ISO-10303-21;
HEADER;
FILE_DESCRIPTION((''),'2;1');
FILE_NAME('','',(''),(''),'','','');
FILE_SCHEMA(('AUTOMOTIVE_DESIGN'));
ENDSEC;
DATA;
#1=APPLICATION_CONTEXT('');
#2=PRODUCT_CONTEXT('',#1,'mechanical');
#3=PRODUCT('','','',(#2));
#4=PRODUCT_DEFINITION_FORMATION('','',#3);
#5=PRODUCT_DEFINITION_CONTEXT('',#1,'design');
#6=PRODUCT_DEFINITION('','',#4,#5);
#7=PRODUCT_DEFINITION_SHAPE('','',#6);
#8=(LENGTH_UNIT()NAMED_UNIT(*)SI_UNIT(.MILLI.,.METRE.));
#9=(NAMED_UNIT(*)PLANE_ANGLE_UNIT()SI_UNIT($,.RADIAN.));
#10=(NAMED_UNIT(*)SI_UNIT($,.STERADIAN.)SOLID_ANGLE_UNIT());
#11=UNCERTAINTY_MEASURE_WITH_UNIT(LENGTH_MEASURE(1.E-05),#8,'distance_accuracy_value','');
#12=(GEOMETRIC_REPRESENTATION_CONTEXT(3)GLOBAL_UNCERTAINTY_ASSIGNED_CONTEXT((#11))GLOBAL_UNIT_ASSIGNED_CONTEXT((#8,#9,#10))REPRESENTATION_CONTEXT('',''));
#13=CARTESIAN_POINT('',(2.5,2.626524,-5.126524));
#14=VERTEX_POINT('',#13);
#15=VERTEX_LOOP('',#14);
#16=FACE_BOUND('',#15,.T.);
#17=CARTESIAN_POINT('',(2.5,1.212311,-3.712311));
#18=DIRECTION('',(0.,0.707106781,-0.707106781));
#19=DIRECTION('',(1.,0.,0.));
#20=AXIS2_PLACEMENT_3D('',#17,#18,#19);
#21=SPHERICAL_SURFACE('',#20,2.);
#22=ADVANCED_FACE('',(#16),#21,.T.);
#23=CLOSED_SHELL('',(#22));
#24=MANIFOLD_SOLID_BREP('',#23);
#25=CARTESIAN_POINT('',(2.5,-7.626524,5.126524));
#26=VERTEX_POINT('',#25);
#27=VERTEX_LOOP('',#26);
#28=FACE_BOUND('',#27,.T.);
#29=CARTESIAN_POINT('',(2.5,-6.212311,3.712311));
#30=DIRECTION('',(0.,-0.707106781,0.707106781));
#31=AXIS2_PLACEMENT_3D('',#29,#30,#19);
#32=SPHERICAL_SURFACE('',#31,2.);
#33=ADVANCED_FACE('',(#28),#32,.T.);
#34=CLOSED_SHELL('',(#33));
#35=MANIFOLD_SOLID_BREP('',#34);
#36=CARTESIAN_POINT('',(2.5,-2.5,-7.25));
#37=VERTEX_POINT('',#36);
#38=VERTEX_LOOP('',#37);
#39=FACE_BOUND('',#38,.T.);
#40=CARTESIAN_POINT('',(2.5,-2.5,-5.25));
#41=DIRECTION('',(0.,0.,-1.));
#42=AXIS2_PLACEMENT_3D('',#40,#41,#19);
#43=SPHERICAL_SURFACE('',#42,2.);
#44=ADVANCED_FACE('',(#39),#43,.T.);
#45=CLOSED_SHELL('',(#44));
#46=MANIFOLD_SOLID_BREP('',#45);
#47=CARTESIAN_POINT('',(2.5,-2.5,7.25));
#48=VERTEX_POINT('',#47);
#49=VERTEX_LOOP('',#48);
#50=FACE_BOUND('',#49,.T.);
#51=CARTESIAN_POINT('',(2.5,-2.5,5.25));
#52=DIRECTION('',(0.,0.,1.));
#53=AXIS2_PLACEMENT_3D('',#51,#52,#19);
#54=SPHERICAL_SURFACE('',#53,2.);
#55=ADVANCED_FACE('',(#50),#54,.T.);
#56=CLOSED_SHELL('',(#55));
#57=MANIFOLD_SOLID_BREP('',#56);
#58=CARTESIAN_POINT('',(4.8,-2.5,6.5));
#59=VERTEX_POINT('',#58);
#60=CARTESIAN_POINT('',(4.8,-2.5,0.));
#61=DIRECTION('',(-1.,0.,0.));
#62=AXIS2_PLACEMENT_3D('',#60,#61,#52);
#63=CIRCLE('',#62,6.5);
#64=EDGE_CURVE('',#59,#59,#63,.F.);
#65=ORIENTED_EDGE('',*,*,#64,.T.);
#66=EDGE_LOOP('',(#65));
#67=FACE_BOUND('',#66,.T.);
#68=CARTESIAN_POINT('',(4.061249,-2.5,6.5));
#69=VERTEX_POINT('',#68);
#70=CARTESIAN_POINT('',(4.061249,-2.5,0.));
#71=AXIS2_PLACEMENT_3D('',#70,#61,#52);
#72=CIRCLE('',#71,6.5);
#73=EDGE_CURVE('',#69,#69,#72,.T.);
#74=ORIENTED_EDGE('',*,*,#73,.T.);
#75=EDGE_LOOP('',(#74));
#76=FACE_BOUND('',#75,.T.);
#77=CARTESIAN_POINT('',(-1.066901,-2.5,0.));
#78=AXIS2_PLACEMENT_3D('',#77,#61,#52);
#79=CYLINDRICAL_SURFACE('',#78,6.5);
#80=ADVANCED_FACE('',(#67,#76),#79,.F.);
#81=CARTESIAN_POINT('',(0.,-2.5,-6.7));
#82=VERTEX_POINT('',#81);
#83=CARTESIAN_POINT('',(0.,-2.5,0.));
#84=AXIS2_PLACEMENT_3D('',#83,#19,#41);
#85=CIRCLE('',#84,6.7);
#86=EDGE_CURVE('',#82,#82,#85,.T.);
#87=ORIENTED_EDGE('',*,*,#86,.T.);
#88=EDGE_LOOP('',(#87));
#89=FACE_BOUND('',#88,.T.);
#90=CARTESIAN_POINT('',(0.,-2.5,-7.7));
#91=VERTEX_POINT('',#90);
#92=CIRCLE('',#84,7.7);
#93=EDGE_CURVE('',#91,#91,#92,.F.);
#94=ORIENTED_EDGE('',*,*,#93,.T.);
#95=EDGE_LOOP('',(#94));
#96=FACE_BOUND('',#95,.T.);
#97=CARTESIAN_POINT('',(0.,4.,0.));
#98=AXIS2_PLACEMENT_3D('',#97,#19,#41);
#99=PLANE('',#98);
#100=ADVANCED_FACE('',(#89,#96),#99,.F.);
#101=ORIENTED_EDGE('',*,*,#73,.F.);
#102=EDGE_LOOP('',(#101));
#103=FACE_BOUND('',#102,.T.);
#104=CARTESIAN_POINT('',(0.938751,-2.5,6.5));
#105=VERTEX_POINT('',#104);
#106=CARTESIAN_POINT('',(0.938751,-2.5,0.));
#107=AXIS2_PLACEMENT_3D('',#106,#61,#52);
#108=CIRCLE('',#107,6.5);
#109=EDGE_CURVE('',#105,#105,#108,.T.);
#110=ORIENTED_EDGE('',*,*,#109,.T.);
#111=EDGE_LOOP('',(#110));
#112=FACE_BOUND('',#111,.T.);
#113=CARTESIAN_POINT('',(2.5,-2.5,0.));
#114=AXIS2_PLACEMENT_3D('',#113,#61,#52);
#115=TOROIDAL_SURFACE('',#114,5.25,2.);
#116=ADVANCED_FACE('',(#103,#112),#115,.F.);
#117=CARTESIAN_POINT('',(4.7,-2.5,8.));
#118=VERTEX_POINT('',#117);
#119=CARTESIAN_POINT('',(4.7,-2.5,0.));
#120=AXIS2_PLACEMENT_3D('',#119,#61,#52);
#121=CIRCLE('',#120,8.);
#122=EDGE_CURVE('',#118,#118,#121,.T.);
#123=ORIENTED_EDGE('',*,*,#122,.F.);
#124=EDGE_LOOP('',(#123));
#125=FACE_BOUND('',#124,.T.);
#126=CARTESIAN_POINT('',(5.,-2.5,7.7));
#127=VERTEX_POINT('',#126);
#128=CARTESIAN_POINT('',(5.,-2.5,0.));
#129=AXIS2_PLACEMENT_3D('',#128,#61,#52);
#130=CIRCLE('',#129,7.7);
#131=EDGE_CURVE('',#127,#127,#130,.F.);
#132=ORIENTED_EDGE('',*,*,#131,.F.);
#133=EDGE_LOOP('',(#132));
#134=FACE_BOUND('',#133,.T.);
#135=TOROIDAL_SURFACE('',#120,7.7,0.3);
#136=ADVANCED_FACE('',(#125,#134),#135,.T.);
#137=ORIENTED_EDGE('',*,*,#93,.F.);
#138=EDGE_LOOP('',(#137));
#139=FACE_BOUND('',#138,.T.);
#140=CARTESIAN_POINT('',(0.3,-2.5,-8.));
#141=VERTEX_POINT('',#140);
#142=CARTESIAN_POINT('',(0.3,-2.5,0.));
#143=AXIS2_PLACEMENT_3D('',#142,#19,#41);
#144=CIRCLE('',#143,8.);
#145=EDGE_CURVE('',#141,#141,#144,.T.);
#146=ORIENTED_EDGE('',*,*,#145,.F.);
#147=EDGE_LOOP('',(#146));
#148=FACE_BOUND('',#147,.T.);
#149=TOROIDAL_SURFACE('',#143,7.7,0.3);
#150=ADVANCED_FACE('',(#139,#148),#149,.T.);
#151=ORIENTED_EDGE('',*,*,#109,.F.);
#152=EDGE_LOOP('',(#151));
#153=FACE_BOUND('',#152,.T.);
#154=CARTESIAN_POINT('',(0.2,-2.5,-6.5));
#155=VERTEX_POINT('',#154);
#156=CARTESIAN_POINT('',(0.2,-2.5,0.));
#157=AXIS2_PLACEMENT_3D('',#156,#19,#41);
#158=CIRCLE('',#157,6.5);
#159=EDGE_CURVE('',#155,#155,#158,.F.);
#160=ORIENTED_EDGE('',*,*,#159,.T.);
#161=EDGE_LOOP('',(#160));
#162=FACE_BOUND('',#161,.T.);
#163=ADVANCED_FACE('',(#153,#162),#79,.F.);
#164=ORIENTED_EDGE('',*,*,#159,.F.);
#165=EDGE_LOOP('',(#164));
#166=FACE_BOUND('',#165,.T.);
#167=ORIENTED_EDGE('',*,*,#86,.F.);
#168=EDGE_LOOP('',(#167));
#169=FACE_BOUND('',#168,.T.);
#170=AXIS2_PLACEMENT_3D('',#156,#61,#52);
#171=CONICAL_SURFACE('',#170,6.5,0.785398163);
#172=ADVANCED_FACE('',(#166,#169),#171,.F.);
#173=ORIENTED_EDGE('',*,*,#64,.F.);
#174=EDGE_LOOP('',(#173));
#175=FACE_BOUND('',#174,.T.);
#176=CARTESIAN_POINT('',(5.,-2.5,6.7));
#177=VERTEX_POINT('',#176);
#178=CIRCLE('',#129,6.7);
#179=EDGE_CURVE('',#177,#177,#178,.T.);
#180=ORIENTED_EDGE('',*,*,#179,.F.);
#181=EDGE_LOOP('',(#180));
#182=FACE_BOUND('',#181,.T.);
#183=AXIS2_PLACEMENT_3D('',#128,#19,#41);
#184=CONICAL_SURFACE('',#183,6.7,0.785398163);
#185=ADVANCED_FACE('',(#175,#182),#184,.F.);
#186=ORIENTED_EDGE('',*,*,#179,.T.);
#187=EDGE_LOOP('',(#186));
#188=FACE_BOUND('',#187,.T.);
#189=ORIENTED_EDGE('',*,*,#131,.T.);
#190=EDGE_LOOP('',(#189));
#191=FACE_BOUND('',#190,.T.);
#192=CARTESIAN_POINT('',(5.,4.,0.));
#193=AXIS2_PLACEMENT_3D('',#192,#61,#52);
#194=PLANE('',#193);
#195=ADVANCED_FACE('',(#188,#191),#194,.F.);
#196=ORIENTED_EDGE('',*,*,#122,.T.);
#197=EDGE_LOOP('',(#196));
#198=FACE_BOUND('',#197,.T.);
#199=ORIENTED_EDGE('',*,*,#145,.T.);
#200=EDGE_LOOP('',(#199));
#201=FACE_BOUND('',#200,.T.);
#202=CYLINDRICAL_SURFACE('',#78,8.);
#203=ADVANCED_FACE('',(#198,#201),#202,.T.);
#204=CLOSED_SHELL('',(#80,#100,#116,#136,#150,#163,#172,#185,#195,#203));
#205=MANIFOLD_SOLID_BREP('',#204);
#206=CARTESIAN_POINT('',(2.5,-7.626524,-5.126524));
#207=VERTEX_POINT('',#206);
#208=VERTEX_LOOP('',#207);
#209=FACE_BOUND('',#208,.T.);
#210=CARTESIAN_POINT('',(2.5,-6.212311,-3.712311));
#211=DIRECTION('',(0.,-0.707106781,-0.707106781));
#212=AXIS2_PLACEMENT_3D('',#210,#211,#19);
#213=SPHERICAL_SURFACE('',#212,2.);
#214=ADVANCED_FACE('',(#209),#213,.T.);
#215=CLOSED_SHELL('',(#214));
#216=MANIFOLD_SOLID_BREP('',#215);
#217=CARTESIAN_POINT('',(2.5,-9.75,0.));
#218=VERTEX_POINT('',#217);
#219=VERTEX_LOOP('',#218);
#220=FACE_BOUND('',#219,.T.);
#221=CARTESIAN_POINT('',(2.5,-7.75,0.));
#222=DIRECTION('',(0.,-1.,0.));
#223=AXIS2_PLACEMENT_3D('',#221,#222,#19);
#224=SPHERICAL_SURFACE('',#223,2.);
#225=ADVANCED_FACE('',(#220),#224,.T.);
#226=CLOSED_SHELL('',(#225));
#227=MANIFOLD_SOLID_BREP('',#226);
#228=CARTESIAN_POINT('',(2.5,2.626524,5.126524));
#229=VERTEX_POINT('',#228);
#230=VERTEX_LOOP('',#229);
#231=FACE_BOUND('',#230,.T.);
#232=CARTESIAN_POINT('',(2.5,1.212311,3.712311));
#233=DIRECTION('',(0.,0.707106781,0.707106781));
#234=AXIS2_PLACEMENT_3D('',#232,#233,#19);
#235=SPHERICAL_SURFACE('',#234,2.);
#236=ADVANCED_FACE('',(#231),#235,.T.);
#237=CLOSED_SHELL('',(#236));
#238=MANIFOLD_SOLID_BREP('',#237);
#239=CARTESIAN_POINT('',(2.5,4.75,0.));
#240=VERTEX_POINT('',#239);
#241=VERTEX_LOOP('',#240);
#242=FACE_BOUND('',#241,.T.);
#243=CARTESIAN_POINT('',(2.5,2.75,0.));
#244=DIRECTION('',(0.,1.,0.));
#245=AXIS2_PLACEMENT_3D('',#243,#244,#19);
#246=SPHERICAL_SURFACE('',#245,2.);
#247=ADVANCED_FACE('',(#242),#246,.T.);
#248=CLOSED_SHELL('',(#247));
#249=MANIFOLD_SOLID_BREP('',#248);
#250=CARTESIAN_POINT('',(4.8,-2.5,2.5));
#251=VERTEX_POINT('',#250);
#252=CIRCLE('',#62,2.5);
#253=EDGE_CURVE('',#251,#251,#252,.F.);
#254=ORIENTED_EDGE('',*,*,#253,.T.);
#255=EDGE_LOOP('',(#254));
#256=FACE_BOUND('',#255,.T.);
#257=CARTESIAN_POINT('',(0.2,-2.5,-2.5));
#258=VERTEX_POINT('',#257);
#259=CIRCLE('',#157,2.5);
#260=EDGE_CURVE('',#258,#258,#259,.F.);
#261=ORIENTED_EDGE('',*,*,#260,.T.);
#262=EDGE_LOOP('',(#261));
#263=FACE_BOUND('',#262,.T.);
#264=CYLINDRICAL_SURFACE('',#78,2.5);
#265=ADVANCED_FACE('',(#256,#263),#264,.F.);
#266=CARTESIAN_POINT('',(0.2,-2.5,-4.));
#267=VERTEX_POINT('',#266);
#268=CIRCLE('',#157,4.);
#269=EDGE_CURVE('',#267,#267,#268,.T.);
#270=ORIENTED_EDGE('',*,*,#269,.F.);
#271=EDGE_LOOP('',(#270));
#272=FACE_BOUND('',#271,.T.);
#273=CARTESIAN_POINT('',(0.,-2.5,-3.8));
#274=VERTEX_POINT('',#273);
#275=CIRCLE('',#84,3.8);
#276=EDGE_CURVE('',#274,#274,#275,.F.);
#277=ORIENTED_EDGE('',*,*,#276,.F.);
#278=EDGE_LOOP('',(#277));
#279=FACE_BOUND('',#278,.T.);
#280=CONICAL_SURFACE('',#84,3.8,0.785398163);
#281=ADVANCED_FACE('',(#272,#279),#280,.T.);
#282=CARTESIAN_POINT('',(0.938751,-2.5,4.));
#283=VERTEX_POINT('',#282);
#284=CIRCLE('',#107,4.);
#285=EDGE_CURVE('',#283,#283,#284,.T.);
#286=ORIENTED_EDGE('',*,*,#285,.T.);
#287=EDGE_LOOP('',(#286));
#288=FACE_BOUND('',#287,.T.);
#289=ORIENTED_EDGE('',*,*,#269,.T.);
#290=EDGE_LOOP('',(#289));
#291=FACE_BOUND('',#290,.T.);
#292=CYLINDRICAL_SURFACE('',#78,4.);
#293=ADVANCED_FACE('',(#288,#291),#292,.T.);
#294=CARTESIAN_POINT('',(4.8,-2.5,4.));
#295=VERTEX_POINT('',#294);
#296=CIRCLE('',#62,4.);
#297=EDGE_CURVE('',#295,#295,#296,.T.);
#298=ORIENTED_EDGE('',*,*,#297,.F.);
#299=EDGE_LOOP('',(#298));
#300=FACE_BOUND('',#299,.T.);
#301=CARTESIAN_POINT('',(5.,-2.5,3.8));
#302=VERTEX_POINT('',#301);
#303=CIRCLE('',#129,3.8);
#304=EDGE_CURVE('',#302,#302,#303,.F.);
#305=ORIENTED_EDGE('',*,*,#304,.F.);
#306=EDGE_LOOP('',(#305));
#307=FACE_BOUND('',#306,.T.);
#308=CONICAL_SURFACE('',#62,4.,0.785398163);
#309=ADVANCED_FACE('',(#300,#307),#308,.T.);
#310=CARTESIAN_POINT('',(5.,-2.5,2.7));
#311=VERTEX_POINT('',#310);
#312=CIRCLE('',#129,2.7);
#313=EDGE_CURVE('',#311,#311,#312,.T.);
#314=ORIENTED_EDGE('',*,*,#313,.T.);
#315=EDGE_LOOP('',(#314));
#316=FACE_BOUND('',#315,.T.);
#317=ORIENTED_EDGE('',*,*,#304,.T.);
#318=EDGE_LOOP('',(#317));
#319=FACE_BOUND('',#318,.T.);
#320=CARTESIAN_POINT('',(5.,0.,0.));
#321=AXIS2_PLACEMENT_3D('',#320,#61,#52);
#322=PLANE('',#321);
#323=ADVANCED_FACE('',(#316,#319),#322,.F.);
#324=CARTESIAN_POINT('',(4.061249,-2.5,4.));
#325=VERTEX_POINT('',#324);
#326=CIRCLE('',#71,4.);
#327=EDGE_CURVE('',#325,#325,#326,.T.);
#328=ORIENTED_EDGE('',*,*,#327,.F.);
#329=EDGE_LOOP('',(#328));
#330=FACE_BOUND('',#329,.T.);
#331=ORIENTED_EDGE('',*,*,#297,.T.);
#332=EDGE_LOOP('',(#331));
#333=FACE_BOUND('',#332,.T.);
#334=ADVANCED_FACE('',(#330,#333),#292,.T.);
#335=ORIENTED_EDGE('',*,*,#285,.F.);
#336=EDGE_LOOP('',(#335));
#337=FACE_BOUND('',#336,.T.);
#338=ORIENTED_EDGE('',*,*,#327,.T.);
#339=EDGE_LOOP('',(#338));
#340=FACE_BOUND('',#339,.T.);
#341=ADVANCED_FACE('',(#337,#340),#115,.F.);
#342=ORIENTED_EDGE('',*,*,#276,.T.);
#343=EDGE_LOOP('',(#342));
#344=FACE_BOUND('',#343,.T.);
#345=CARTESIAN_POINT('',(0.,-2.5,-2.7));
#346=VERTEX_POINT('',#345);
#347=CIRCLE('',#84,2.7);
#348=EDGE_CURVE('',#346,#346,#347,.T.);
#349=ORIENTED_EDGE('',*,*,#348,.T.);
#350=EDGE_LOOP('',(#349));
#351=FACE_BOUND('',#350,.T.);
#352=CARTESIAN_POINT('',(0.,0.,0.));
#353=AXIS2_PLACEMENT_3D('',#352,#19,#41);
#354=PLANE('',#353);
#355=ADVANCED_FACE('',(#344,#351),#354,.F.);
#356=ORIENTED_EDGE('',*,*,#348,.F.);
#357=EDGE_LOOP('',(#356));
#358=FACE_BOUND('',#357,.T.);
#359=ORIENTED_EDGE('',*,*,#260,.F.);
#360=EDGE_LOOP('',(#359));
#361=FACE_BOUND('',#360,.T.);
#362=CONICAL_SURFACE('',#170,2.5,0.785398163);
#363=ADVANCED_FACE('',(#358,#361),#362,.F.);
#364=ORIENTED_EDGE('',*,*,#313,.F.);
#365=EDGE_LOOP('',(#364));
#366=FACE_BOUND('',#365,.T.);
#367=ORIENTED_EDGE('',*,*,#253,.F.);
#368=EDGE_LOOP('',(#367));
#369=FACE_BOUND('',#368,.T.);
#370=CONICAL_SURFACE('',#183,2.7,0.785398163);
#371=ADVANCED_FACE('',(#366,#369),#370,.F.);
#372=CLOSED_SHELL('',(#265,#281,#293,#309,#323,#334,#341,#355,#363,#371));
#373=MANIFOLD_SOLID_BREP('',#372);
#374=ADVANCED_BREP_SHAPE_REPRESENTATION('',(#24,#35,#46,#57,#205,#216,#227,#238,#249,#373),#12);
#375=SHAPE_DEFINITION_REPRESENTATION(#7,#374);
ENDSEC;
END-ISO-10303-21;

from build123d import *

# Parameters (mm, degrees)
PATTERN_CIRCULAR_5_COUNT = 8
FILLET_1_R               = 0.3
CHAMFER_1_SIZE           = 0.2
CHAMFER_2_SIZE           = 0.2


with BuildPart() as part:
    # Эскиз1 → Повернуть1 (revolve)
    with BuildSketch(Plane.XY):
        with BuildLine():
            Line((0, 0), (5, 0))
            Line((5, 0), (5, 1.5))
            Line((5, 1.5), (4.0612495, 1.5))
            ThreePointArc((4.0612495, 1.5), (2.5, 0.75), (0.9387505, 1.5))
            Line((0.9387505, 1.5), (0, 1.5))
            Line((0, 1.5), (0, 0))
        make_face()
        with BuildLine():
            Line((0, 4), (0.9387505, 4))
            ThreePointArc((0.9387505, 4), (2.5, 4.75), (4.0612495, 4))
            Line((4.0612495, 4), (5, 4))
            Line((5, 4), (5, 5.5))
            Line((5, 5.5), (0, 5.5))
            Line((0, 5.5), (0, 4))
        make_face()
    revolve(axis=Axis((-1.066901408, -2.5, 0), (1, 0, 0)))

    # Скругление1
    fillet_1_edges = [part.edges().sort_by_distance(p)[0] for p in [
        (0, -10.5, 0),
        (5, -10.5, 0),
    ]]
    fillet(fillet_1_edges, radius=FILLET_1_R)

    # Фаска1
    chamfer_1_edges = [part.edges().sort_by_distance(p)[0] for p in [
        (0, -6.5, 0),
        (5, -6.5, 0),
        (5, -5, 0),
        (0, -5, 0),
    ]]
    chamfer(chamfer_1_edges, length=CHAMFER_1_SIZE)

    # Фаска2
    chamfer_2_edges = [part.edges().sort_by_distance(p)[0] for p in [
        (5, -9, 0),
        (0, -9, 0),
    ]]
    chamfer(chamfer_2_edges, length=CHAMFER_2_SIZE)


with BuildPart() as body_2:
    # Эскиз2 → Повернуть2 (revolve)
    with BuildSketch(Plane.XY):
        with BuildLine():
            Line((2.5, 4.75), (2.5, 0.75))
            ThreePointArc((2.5, 0.75), (0.5, 2.75), (2.5, 4.75))
        make_face()
    revolve(axis=Axis((2.5, 4.75, 0), (0, -1, 0)))


with BuildPart() as pattern_circular_5_1:
    # Круговой массив5: pattern copy
    add(body_2.part.rotate(Axis((0, -2.5, 0), (1, 0, 0)), 1 * 360 / PATTERN_CIRCULAR_5_COUNT))


with BuildPart() as pattern_circular_5_2:
    # Круговой массив5: pattern copy
    add(body_2.part.rotate(Axis((0, -2.5, 0), (1, 0, 0)), 2 * 360 / PATTERN_CIRCULAR_5_COUNT))


with BuildPart() as pattern_circular_5_3:
    # Круговой массив5: pattern copy
    add(body_2.part.rotate(Axis((0, -2.5, 0), (1, 0, 0)), 3 * 360 / PATTERN_CIRCULAR_5_COUNT))


with BuildPart() as pattern_circular_5_4:
    # Круговой массив5: pattern copy
    add(body_2.part.rotate(Axis((0, -2.5, 0), (1, 0, 0)), 4 * 360 / PATTERN_CIRCULAR_5_COUNT))


with BuildPart() as pattern_circular_5_5:
    # Круговой массив5: pattern copy
    add(body_2.part.rotate(Axis((0, -2.5, 0), (1, 0, 0)), 5 * 360 / PATTERN_CIRCULAR_5_COUNT))


with BuildPart() as pattern_circular_5_6:
    # Круговой массив5: pattern copy
    add(body_2.part.rotate(Axis((0, -2.5, 0), (1, 0, 0)), 6 * 360 / PATTERN_CIRCULAR_5_COUNT))


with BuildPart() as pattern_circular_5_7:
    # Круговой массив5: pattern copy
    add(body_2.part.rotate(Axis((0, -2.5, 0), (1, 0, 0)), 7 * 360 / PATTERN_CIRCULAR_5_COUNT))


solid = Compound([part.part, body_2.part, pattern_circular_5_1.part, pattern_circular_5_2.part, pattern_circular_5_3.part, pattern_circular_5_4.part, pattern_circular_5_5.part, pattern_circular_5_6.part, pattern_circular_5_7.part])
